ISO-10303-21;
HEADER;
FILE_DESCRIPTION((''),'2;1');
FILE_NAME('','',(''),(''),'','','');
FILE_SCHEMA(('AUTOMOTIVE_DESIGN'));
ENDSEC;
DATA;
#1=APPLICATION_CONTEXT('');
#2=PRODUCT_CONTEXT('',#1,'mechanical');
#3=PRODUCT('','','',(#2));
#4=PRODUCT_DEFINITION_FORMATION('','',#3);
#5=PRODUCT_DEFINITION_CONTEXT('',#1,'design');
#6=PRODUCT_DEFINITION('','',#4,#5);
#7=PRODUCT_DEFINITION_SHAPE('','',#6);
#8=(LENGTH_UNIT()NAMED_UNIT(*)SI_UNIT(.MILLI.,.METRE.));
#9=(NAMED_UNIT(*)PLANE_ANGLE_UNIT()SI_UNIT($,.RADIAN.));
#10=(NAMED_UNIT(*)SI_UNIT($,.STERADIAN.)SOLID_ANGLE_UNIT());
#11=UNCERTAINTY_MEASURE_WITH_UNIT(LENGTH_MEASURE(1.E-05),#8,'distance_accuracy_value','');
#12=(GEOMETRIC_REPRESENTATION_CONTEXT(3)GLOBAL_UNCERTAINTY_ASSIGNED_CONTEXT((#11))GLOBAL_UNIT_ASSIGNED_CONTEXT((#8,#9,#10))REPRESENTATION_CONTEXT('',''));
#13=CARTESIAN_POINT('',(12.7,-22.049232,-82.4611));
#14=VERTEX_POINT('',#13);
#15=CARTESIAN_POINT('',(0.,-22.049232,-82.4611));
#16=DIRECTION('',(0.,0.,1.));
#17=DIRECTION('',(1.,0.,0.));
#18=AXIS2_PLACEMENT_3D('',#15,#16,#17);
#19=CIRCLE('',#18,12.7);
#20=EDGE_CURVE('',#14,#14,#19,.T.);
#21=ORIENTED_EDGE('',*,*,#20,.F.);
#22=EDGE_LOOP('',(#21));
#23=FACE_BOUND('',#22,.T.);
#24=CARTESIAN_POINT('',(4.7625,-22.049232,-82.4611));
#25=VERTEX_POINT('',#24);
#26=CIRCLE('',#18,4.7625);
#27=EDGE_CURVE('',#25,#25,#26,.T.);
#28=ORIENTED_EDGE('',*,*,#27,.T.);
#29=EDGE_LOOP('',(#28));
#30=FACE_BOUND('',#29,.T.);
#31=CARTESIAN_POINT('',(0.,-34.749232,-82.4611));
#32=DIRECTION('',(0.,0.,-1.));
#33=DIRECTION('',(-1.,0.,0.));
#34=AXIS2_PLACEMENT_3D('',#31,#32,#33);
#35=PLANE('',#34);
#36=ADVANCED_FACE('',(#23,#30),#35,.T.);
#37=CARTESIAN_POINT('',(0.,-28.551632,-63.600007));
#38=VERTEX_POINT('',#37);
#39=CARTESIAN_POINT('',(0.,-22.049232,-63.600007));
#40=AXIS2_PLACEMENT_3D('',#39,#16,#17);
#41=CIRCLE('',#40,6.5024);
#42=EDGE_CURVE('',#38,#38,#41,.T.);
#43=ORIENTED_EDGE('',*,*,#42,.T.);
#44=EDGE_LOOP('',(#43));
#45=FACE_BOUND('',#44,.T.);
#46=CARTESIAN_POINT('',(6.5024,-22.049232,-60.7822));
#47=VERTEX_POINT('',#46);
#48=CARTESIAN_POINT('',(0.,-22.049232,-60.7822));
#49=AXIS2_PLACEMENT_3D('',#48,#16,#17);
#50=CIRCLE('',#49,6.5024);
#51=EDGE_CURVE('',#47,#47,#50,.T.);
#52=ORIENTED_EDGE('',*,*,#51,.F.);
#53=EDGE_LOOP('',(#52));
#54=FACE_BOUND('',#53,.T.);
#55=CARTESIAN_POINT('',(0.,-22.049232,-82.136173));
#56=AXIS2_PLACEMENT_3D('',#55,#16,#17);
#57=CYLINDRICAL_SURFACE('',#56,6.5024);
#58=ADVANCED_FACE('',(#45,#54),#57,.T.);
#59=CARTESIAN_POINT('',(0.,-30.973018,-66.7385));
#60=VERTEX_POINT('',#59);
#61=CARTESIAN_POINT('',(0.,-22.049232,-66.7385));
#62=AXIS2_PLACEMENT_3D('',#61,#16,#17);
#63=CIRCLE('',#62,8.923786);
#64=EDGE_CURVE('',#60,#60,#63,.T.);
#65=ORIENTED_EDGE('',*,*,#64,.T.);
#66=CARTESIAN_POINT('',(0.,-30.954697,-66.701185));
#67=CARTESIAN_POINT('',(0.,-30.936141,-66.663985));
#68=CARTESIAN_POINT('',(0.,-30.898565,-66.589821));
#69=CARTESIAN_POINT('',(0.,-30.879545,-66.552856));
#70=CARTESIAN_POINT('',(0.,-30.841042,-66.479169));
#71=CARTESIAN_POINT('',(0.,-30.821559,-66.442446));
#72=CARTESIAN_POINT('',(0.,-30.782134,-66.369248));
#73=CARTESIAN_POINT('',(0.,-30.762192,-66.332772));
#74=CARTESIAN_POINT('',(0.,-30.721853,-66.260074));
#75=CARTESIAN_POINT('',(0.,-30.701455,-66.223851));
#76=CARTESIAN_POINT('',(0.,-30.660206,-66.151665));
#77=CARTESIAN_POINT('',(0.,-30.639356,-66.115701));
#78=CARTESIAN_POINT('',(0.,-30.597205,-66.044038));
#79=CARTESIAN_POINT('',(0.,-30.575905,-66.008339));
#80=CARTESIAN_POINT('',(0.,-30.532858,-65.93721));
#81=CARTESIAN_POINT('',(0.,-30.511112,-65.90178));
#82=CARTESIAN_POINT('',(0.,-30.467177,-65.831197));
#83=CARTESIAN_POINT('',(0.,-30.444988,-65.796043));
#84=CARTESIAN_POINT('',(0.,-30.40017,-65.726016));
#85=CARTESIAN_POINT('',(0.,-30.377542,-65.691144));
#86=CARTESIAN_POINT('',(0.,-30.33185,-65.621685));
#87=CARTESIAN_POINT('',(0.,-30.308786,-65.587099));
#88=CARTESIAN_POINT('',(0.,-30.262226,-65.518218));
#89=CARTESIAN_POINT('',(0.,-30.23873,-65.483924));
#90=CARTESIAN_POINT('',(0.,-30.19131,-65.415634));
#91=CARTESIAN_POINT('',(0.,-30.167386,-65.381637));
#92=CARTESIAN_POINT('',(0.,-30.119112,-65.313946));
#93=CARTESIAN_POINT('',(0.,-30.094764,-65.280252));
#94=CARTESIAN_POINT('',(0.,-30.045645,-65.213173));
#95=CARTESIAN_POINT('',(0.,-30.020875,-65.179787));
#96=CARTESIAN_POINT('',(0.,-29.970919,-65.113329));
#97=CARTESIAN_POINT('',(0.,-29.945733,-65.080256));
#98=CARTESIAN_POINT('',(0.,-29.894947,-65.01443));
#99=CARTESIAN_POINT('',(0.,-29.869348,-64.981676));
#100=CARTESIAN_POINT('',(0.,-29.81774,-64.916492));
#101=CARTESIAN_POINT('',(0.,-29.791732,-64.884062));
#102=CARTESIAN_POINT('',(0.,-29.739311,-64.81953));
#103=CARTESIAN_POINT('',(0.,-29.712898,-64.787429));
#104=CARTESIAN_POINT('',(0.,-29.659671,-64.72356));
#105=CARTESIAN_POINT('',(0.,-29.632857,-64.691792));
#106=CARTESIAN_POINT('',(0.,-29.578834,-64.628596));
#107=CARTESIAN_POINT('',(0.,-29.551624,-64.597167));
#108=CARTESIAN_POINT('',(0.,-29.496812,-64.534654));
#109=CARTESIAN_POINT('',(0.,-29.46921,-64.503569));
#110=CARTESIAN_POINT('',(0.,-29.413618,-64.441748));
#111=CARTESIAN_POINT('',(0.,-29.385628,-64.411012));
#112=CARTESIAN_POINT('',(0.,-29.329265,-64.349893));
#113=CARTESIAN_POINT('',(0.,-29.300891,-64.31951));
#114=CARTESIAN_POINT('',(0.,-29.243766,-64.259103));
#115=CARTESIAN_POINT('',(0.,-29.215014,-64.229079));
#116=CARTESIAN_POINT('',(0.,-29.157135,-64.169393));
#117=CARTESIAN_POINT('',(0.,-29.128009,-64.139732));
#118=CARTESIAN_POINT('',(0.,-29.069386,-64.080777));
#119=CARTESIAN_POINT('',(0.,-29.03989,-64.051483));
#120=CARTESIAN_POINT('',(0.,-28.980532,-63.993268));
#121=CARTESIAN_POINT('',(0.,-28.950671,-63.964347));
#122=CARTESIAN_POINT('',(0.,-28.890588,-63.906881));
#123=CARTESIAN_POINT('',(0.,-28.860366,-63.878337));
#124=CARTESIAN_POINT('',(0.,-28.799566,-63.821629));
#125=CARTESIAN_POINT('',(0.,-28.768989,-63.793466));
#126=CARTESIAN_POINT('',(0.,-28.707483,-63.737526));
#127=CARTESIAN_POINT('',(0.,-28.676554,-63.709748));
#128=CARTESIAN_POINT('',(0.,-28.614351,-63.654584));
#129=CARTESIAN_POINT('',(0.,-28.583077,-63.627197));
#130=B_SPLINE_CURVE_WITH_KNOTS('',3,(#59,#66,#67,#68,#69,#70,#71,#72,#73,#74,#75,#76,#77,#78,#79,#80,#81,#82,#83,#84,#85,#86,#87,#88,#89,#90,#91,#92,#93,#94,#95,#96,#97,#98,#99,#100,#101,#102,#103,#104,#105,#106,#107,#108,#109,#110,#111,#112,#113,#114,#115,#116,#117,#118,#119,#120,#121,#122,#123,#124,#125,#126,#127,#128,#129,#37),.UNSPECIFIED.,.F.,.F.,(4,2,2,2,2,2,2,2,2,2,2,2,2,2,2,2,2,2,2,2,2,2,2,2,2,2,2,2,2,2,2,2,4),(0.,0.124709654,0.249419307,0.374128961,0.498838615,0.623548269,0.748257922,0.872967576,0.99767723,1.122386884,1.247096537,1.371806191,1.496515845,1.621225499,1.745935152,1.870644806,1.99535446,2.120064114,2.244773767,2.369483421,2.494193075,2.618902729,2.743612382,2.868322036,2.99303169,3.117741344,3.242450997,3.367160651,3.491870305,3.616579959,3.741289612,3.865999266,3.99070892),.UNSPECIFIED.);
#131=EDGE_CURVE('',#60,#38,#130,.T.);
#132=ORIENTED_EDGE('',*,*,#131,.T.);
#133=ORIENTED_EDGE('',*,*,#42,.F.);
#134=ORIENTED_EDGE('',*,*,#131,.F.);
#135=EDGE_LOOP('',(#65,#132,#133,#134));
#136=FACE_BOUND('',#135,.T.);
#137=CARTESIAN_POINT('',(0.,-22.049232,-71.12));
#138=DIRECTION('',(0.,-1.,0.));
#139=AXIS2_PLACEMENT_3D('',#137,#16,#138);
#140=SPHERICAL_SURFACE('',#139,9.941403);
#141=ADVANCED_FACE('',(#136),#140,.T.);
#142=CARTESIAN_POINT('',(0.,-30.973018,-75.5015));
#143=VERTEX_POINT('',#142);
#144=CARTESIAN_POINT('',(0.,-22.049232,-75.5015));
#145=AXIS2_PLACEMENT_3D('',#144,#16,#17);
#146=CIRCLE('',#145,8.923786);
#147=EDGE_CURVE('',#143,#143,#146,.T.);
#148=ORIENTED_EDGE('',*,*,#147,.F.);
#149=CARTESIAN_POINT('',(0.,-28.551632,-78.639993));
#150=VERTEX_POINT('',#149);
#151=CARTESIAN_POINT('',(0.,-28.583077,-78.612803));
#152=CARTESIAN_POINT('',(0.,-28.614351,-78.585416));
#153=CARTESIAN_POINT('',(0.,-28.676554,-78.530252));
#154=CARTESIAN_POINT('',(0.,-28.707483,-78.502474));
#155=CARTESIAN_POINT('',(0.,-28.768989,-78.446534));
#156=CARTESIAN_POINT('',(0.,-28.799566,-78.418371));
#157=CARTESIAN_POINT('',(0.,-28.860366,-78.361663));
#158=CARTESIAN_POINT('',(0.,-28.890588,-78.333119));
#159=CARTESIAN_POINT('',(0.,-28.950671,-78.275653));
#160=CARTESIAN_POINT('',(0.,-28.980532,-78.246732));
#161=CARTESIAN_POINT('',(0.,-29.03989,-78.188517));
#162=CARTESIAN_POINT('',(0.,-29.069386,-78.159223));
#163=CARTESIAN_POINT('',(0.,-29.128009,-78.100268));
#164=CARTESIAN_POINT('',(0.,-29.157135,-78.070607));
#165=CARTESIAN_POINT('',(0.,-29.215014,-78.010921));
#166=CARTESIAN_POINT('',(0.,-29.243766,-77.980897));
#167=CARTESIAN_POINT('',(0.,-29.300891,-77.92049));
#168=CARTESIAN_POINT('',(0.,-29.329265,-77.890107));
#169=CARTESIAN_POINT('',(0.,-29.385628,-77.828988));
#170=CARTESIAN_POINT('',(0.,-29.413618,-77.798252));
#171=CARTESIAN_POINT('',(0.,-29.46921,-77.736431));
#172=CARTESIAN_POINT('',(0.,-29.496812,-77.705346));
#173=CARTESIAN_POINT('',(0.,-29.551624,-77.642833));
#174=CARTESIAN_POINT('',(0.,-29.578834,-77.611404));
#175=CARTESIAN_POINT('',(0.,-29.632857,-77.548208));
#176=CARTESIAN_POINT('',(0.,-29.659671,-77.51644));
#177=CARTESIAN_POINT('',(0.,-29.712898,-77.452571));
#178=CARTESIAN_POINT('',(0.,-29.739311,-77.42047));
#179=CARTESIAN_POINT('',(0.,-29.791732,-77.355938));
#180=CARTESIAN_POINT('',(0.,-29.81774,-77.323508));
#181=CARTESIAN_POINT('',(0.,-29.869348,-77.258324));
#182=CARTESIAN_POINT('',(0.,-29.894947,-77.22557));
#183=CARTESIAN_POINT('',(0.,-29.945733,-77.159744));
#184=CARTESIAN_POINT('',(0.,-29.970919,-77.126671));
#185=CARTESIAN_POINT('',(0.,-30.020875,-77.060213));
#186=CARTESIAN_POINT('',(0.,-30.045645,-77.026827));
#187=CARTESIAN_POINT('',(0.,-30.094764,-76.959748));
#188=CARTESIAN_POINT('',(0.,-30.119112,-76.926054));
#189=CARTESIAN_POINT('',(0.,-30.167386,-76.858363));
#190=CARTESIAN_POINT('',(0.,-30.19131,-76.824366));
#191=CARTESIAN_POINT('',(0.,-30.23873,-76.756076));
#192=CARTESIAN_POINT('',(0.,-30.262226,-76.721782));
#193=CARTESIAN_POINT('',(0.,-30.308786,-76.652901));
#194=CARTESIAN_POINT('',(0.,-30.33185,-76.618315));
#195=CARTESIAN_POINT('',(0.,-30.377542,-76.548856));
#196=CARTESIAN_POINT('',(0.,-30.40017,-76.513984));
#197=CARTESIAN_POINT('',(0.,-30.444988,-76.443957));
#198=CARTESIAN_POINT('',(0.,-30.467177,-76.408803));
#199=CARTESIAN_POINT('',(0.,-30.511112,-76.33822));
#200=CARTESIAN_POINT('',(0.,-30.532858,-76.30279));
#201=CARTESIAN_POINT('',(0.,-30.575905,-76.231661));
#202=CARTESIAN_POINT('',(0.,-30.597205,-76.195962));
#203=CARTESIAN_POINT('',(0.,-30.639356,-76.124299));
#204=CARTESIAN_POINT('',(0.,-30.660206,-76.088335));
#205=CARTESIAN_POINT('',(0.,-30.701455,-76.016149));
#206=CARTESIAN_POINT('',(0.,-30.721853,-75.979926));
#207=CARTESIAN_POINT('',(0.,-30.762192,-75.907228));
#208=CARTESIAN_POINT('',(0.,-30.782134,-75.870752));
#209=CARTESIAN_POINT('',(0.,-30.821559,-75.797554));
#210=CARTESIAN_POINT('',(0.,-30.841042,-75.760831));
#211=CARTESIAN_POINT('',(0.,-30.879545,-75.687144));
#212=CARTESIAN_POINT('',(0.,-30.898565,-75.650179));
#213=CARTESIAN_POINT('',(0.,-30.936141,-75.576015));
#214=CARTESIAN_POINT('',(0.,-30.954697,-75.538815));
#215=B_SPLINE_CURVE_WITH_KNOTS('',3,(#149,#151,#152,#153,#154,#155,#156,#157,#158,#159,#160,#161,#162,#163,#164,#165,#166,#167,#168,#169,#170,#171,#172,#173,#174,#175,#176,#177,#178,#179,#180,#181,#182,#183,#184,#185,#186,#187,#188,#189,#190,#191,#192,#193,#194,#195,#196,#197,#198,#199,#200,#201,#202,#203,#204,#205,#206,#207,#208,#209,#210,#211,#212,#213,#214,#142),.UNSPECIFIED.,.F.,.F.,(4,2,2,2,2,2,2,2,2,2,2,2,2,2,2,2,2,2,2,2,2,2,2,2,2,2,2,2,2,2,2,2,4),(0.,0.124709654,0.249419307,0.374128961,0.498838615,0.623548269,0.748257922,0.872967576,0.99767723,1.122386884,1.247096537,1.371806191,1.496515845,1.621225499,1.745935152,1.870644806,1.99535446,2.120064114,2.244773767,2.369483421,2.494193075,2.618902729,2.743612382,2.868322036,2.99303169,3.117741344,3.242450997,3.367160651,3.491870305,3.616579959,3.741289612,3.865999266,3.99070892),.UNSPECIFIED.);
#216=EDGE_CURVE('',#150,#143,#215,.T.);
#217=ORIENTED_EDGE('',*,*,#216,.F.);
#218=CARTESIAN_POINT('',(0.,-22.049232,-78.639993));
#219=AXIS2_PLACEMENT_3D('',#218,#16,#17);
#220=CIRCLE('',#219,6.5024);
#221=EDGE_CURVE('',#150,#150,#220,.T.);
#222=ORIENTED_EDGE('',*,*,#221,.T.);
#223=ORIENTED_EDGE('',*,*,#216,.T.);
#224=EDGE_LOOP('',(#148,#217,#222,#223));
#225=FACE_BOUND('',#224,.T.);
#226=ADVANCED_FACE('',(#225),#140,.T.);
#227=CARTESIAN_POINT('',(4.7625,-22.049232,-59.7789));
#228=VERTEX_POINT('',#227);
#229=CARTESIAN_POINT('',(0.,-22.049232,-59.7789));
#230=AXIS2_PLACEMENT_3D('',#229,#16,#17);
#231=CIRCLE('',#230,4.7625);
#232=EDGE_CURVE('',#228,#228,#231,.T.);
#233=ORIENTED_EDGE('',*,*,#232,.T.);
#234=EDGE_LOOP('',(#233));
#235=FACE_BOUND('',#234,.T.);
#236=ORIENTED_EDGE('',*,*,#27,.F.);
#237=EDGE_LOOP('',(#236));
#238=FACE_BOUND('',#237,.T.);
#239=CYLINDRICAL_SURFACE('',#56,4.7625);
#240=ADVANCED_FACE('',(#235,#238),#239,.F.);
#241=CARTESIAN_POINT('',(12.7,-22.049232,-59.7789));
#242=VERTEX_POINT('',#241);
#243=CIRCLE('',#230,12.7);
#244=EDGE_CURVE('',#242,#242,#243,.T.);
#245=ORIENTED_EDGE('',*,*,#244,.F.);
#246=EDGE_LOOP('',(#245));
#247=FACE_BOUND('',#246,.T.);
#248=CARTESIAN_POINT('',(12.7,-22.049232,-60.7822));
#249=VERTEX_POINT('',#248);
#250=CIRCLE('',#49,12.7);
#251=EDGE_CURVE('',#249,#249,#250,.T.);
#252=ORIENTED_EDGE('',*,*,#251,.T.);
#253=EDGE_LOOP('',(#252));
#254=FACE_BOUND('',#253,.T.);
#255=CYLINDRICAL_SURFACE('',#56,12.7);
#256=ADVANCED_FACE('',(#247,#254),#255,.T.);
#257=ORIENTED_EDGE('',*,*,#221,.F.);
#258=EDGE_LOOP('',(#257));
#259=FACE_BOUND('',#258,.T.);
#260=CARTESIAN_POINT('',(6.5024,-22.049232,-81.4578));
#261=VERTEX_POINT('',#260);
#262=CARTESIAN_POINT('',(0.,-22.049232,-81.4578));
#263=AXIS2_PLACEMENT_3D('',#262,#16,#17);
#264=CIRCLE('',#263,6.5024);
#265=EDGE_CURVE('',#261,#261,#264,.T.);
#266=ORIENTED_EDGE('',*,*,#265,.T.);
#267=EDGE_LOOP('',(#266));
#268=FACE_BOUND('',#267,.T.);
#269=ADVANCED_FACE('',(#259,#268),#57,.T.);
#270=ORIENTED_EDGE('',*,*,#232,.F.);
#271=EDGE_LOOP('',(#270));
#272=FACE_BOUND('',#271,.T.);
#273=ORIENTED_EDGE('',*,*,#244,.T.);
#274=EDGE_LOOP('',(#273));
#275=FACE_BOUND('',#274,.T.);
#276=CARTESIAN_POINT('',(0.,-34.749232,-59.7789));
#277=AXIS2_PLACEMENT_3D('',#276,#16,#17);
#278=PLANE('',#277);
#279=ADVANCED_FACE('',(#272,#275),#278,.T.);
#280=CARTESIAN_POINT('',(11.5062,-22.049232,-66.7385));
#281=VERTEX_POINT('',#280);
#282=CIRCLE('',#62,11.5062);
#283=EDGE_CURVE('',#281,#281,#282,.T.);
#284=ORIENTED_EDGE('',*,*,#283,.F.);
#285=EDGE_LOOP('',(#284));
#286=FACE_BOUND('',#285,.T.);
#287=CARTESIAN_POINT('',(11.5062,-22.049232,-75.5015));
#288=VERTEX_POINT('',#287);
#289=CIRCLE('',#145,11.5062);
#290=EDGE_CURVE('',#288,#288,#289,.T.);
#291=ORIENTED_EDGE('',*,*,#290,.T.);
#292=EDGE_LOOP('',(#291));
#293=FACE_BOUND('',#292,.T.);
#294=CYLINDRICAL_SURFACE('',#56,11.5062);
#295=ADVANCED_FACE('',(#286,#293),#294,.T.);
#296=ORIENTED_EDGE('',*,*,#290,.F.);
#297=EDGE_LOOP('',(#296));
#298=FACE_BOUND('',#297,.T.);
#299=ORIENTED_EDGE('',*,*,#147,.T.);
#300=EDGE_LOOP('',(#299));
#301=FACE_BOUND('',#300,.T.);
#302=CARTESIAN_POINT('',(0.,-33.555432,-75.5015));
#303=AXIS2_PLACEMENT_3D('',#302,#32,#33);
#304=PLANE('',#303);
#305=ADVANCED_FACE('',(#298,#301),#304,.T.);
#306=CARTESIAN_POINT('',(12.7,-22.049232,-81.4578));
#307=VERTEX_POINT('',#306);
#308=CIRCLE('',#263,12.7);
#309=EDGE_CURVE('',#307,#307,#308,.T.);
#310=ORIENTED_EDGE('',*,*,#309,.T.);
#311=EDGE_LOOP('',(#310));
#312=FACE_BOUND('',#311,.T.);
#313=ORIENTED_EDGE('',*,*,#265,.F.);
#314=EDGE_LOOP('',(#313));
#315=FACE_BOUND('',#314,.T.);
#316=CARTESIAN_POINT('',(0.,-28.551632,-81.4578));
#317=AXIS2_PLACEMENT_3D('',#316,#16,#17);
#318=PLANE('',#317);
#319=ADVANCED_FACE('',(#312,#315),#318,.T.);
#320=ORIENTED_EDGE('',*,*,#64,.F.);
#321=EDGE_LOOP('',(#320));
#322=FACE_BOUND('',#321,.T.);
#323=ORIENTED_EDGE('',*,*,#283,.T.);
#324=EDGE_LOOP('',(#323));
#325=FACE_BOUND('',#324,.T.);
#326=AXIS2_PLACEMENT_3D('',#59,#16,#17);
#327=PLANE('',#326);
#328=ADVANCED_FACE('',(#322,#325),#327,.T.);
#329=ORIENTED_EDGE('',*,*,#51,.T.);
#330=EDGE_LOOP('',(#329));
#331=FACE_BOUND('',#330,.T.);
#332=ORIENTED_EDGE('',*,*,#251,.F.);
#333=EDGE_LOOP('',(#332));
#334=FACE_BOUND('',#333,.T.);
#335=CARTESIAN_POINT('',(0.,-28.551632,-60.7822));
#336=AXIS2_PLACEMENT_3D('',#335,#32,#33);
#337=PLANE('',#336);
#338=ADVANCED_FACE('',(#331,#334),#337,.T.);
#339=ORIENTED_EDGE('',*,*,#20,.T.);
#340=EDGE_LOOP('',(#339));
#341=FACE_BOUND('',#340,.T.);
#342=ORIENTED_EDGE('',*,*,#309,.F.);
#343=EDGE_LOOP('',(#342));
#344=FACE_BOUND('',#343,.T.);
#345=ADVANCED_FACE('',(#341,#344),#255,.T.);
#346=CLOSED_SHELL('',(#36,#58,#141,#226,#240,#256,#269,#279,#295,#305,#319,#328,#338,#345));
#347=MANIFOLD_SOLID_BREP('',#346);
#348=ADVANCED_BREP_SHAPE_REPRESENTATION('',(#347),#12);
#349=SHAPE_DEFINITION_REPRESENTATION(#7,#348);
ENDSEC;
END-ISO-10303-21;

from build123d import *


with BuildPart() as part:
    # Sketch1 → Revolve1 (revolve)
    with BuildSketch(Plane(origin=(0, 0, 0), x_dir=(0, 0, -1), z_dir=(1, 0, 0)), mode=Mode.PRIVATE) as revolve1_sk:
        with BuildLine():
            Line((60.7822, -26.811732), (81.4578, -26.811732))
            Line((81.4578, -26.811732), (82.4611, -26.811732))
            Line((82.4611, -26.811732), (82.4611, -34.749232))
            Line((82.4611, -34.749232), (81.4578, -34.749232))
            Line((81.4578, -34.749232), (81.4578, -28.551632))
            Line((81.4578, -28.551632), (78.639993039, -28.551632))
            ThreePointArc((78.639993039, -28.551632), (77.1926569, -29.920339878), (75.5015, -30.973018125))
            Line((75.5015, -30.973018125), (75.5015, -33.555432))
            Line((75.5015, -33.555432), (66.7385, -33.555432))
            Line((66.7385, -33.555432), (66.7385, -30.973018125))
            ThreePointArc((66.7385, -30.973018125), (65.0473431, -29.920339878), (63.600006961, -28.551632))
            Line((63.600006961, -28.551632), (60.7822, -28.551632))
            Line((60.7822, -28.551632), (60.7822, -34.749232))
            Line((60.7822, -34.749232), (59.7789, -34.749232))
            Line((59.7789, -34.749232), (59.7789, -26.811732))
            Line((59.7789, -26.811732), (60.7822, -26.811732))
        make_face()
    revolve(revolve1_sk.sketch.rotate(Axis((0, -22.049232, -82.136173087), (0, 0, -1)), 270), axis=Axis((0, -22.049232, -82.136173087), (0, 0, -1)))


solid = part.part
